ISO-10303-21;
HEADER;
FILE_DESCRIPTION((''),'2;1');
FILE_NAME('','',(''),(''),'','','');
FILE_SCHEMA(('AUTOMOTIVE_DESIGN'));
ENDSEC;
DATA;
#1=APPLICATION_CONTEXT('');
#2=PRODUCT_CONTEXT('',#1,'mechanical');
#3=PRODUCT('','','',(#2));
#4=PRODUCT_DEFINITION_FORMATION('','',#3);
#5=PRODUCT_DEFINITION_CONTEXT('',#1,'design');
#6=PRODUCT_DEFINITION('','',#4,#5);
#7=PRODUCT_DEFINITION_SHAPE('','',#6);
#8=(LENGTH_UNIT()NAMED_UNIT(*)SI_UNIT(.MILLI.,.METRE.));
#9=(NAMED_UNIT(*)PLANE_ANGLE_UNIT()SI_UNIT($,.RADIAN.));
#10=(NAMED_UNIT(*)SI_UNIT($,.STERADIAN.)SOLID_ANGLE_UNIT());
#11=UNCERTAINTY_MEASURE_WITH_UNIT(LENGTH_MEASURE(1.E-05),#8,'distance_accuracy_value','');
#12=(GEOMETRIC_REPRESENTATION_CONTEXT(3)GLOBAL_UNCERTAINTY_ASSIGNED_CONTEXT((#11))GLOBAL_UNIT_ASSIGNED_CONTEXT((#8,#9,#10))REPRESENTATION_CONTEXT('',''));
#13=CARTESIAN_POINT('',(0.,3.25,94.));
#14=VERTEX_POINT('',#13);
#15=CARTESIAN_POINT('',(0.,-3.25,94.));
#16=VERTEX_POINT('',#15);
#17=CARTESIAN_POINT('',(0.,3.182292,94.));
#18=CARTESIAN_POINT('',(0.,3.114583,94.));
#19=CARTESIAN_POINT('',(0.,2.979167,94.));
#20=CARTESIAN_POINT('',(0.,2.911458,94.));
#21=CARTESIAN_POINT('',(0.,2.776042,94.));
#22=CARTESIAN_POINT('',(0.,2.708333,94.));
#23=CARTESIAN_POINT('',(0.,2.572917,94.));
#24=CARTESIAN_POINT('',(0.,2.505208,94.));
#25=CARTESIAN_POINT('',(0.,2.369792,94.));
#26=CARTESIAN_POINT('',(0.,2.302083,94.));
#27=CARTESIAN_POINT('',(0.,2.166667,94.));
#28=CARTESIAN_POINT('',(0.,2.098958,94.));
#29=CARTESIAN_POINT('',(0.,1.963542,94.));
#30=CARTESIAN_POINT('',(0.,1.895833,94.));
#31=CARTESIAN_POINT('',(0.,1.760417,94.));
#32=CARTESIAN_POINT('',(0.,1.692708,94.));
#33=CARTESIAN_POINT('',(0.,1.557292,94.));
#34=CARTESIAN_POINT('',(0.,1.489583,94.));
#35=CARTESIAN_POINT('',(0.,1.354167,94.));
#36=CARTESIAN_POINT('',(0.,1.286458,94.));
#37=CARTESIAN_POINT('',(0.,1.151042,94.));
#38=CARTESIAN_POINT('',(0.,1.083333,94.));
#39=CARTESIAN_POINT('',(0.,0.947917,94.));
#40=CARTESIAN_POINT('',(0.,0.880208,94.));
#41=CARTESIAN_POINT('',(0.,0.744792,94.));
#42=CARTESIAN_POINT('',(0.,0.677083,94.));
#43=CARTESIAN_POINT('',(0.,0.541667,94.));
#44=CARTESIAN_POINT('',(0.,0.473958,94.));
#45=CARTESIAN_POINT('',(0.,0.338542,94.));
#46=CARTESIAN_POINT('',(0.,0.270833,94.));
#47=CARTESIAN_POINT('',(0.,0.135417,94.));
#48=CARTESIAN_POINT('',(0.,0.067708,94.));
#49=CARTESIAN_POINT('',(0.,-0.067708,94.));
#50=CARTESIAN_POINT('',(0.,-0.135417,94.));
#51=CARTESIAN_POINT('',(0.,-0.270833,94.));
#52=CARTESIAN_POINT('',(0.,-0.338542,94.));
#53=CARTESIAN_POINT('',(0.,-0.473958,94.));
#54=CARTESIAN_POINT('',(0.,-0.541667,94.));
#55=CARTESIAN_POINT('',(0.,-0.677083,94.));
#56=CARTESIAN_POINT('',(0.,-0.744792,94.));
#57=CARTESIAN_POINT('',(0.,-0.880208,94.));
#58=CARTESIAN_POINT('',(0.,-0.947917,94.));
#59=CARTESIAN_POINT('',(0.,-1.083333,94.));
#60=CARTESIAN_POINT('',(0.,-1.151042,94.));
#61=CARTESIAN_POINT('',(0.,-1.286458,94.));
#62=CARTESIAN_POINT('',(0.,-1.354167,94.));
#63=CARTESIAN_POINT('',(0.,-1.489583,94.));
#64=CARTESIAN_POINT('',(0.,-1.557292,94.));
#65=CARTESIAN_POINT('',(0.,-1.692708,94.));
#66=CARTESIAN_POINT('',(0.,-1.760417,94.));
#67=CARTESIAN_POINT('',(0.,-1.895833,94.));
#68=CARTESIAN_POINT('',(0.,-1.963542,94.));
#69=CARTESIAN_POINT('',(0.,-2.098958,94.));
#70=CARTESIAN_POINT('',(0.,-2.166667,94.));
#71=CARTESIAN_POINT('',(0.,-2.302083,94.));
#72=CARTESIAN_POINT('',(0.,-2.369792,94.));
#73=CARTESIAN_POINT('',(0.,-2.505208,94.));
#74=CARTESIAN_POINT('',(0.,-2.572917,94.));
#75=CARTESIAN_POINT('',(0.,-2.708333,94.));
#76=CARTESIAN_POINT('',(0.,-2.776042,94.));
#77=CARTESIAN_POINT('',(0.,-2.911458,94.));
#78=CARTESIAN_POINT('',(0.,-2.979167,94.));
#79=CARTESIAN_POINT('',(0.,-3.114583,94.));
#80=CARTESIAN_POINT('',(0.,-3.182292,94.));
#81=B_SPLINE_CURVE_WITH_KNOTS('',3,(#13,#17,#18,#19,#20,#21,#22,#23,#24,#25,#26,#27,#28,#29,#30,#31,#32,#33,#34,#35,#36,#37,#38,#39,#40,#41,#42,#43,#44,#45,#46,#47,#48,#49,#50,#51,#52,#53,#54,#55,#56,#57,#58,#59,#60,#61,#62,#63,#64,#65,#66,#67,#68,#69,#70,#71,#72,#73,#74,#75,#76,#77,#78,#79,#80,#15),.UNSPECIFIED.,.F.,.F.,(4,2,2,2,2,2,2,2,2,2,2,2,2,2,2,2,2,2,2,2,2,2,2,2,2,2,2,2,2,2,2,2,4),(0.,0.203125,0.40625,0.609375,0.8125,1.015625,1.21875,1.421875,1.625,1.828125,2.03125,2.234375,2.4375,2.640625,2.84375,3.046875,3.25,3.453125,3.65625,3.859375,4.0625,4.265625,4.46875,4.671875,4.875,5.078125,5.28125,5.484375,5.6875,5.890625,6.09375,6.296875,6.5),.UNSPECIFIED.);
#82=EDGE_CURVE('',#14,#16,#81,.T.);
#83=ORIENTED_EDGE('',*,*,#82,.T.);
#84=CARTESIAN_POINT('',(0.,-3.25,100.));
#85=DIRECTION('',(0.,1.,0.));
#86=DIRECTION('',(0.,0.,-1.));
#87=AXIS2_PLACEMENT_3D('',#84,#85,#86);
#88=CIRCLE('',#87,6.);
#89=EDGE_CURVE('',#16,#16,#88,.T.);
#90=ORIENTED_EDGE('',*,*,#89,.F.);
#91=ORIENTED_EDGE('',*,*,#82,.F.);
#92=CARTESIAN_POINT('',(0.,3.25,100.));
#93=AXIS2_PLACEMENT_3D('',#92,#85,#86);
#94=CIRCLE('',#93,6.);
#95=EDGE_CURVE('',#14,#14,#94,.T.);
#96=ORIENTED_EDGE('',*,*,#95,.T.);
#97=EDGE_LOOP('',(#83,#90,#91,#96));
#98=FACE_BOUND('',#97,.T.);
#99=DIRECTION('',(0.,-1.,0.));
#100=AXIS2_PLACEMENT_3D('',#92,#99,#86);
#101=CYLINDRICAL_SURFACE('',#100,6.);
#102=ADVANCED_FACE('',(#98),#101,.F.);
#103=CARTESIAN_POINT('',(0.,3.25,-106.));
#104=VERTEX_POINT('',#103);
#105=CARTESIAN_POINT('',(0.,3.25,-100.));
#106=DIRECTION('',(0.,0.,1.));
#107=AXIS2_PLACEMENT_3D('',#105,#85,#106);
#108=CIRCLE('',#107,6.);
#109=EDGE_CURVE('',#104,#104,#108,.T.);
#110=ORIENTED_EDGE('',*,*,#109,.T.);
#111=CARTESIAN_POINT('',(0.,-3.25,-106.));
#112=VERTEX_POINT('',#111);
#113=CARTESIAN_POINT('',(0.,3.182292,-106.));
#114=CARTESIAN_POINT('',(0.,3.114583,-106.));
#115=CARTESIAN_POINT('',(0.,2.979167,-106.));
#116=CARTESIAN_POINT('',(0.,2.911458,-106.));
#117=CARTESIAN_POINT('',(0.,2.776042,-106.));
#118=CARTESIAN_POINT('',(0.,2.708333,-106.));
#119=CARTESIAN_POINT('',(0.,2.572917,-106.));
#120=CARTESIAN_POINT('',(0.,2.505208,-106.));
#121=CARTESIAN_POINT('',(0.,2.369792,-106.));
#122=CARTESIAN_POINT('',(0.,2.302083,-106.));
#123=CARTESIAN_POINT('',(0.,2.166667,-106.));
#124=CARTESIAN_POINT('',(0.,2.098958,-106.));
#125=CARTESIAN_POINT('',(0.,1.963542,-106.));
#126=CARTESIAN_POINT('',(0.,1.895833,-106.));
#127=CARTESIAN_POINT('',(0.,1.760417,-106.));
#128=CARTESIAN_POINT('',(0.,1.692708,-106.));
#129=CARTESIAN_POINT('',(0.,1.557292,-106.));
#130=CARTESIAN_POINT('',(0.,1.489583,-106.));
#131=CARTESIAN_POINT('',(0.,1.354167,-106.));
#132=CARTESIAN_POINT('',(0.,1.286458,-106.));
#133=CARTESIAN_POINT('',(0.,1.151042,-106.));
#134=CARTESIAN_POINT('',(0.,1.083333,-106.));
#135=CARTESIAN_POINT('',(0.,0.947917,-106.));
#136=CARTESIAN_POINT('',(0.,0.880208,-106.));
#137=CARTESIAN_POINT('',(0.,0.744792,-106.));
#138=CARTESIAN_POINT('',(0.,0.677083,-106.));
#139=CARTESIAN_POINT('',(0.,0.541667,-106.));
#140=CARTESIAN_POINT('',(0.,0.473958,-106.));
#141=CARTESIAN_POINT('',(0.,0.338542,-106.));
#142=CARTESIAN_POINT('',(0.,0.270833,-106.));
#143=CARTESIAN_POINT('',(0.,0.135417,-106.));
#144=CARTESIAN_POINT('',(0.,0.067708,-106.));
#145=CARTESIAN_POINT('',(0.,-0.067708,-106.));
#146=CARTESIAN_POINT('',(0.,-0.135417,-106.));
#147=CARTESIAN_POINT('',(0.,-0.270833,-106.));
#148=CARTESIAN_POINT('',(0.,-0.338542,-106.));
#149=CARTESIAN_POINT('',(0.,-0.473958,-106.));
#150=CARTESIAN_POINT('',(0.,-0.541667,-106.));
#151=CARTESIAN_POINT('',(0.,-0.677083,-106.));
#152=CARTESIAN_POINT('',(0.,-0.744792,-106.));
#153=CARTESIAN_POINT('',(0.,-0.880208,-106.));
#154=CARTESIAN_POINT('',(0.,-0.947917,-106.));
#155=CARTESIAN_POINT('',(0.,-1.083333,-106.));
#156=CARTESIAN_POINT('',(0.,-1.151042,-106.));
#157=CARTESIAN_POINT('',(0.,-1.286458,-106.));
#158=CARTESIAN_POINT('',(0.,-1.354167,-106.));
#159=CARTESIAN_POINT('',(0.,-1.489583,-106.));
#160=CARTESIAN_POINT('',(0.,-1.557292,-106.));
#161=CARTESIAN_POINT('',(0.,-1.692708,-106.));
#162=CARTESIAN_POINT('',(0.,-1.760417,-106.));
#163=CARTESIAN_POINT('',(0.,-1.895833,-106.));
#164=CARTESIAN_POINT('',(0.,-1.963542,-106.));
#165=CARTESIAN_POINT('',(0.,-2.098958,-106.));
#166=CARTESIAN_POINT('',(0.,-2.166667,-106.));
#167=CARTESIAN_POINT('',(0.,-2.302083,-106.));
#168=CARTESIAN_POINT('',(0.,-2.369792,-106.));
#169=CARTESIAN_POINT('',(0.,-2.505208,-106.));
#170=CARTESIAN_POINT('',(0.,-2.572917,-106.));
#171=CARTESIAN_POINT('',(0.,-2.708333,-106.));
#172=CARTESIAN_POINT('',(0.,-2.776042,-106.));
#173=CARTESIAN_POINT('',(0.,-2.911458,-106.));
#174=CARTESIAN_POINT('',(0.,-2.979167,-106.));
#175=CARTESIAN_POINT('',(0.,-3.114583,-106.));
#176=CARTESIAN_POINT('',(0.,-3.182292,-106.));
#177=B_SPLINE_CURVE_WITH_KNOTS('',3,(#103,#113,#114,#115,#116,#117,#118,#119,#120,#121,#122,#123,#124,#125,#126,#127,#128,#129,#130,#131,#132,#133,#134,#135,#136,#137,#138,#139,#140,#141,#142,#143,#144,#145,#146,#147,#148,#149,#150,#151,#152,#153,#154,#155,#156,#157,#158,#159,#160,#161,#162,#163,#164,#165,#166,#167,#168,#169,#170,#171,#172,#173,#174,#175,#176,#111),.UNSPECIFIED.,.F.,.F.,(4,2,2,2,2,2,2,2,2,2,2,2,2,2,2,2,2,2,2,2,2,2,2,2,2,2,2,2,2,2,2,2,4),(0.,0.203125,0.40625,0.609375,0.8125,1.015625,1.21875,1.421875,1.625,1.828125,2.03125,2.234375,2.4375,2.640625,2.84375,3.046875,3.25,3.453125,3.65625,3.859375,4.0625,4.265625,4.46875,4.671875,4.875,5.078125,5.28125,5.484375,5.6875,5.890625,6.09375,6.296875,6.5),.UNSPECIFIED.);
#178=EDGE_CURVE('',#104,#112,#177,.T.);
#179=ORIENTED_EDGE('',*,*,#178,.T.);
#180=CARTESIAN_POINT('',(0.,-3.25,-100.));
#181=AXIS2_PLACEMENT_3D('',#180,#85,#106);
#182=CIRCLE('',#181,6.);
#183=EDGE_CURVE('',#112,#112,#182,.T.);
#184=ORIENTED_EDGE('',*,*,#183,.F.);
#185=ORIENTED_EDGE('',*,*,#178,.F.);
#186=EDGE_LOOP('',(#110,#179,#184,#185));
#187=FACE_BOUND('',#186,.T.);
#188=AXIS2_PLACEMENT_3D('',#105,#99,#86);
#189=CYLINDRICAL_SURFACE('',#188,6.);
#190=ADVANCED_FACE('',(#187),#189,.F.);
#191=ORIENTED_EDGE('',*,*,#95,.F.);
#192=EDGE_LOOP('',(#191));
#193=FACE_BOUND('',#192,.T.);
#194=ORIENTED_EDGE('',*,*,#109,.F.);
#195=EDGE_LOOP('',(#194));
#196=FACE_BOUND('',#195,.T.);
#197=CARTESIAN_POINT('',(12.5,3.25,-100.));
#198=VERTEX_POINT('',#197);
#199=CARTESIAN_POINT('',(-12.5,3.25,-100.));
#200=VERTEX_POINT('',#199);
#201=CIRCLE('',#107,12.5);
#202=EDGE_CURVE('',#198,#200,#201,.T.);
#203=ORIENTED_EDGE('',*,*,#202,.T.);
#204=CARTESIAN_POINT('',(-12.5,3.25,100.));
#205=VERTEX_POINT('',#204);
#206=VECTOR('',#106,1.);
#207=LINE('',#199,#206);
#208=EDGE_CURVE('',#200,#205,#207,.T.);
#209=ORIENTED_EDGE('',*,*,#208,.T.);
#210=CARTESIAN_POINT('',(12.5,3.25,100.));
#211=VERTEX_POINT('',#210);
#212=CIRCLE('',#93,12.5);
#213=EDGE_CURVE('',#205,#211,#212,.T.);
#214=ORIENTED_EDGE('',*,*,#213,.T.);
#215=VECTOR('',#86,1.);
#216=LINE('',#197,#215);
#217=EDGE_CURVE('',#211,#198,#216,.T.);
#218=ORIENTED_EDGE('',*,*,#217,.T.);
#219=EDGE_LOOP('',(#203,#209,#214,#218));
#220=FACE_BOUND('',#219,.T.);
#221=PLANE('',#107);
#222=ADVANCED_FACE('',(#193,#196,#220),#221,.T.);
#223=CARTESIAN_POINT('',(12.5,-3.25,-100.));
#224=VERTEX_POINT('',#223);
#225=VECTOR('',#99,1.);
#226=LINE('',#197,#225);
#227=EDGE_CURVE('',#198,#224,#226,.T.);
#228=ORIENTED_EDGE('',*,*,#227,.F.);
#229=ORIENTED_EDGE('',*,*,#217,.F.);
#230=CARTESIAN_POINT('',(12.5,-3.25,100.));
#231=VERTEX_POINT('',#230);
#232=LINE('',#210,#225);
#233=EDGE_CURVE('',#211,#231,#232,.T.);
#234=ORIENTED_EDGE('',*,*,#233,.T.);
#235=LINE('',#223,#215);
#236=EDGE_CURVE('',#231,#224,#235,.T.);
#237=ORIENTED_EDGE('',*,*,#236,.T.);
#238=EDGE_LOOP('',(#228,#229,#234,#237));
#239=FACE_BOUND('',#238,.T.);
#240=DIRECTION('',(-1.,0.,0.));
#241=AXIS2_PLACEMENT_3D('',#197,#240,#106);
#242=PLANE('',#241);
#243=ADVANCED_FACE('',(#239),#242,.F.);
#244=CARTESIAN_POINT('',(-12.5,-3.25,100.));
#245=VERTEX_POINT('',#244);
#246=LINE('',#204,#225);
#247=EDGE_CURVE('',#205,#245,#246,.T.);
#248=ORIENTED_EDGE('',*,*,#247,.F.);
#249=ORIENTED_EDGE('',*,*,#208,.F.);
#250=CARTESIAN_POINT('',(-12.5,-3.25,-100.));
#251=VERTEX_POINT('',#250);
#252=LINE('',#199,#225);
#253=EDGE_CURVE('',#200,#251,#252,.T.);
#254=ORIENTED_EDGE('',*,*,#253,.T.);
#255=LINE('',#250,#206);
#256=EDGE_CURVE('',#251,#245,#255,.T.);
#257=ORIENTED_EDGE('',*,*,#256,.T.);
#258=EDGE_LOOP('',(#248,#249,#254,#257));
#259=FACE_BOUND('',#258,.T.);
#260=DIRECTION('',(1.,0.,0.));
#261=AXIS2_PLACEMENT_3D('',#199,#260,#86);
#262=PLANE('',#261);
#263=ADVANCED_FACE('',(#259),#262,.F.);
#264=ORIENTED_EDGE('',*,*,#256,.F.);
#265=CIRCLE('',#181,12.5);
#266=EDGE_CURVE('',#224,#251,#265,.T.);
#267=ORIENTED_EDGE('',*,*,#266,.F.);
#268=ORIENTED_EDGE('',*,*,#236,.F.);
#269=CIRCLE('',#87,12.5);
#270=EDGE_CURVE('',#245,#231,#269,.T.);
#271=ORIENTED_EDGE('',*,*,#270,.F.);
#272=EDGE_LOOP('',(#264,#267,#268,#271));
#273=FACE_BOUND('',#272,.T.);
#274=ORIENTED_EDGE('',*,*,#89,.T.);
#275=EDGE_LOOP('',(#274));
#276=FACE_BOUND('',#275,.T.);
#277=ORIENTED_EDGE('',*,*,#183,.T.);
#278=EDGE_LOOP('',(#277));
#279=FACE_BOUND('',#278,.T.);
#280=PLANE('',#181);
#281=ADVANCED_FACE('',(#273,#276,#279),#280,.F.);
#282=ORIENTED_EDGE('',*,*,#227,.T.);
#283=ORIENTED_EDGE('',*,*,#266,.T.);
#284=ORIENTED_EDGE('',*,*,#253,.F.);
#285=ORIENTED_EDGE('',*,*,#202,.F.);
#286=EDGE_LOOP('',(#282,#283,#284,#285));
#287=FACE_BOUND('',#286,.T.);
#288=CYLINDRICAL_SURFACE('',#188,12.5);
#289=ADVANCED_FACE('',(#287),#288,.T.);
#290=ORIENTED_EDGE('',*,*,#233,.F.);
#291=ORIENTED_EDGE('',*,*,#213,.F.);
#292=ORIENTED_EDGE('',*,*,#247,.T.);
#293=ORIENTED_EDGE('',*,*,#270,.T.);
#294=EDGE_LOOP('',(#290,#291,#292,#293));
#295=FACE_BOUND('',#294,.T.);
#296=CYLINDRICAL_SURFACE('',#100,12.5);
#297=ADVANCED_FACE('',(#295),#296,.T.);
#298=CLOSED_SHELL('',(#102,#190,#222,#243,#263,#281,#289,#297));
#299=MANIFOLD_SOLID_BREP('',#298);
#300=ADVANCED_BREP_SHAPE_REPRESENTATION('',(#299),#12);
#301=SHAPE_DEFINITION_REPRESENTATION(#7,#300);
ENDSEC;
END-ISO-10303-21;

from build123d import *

# Parameters (mm, degrees)
SKETCH3_R           = 6
BOSS_EXTRUDE1_DEPTH = 3.25


with BuildPart() as part:
    # Sketch3 → Boss-Extrude1 (new, symmetric)
    with BuildSketch(Plane(origin=(0, 0, 0), x_dir=(1, 0, 0), z_dir=(0, 1, 0))):
        with BuildLine():
            Line((-12.5, 100), (-12.5, -100))
            ThreePointArc((-12.5, -100), (0, -112.5), (12.5, -100))
            Line((12.5, -100), (12.5, 100))
            ThreePointArc((12.5, 100), (0, 112.5), (-12.5, 100))
        make_face()
        with Locations(Location((0, 100, 0), (0, 0, 90))):
            Circle(SKETCH3_R, mode=Mode.SUBTRACT)
        with Locations(Location((0, -100, 0), (0, 0, 90))):
            Circle(SKETCH3_R, mode=Mode.SUBTRACT)
    extrude(amount=BOSS_EXTRUDE1_DEPTH, both=True)


solid = part.part
